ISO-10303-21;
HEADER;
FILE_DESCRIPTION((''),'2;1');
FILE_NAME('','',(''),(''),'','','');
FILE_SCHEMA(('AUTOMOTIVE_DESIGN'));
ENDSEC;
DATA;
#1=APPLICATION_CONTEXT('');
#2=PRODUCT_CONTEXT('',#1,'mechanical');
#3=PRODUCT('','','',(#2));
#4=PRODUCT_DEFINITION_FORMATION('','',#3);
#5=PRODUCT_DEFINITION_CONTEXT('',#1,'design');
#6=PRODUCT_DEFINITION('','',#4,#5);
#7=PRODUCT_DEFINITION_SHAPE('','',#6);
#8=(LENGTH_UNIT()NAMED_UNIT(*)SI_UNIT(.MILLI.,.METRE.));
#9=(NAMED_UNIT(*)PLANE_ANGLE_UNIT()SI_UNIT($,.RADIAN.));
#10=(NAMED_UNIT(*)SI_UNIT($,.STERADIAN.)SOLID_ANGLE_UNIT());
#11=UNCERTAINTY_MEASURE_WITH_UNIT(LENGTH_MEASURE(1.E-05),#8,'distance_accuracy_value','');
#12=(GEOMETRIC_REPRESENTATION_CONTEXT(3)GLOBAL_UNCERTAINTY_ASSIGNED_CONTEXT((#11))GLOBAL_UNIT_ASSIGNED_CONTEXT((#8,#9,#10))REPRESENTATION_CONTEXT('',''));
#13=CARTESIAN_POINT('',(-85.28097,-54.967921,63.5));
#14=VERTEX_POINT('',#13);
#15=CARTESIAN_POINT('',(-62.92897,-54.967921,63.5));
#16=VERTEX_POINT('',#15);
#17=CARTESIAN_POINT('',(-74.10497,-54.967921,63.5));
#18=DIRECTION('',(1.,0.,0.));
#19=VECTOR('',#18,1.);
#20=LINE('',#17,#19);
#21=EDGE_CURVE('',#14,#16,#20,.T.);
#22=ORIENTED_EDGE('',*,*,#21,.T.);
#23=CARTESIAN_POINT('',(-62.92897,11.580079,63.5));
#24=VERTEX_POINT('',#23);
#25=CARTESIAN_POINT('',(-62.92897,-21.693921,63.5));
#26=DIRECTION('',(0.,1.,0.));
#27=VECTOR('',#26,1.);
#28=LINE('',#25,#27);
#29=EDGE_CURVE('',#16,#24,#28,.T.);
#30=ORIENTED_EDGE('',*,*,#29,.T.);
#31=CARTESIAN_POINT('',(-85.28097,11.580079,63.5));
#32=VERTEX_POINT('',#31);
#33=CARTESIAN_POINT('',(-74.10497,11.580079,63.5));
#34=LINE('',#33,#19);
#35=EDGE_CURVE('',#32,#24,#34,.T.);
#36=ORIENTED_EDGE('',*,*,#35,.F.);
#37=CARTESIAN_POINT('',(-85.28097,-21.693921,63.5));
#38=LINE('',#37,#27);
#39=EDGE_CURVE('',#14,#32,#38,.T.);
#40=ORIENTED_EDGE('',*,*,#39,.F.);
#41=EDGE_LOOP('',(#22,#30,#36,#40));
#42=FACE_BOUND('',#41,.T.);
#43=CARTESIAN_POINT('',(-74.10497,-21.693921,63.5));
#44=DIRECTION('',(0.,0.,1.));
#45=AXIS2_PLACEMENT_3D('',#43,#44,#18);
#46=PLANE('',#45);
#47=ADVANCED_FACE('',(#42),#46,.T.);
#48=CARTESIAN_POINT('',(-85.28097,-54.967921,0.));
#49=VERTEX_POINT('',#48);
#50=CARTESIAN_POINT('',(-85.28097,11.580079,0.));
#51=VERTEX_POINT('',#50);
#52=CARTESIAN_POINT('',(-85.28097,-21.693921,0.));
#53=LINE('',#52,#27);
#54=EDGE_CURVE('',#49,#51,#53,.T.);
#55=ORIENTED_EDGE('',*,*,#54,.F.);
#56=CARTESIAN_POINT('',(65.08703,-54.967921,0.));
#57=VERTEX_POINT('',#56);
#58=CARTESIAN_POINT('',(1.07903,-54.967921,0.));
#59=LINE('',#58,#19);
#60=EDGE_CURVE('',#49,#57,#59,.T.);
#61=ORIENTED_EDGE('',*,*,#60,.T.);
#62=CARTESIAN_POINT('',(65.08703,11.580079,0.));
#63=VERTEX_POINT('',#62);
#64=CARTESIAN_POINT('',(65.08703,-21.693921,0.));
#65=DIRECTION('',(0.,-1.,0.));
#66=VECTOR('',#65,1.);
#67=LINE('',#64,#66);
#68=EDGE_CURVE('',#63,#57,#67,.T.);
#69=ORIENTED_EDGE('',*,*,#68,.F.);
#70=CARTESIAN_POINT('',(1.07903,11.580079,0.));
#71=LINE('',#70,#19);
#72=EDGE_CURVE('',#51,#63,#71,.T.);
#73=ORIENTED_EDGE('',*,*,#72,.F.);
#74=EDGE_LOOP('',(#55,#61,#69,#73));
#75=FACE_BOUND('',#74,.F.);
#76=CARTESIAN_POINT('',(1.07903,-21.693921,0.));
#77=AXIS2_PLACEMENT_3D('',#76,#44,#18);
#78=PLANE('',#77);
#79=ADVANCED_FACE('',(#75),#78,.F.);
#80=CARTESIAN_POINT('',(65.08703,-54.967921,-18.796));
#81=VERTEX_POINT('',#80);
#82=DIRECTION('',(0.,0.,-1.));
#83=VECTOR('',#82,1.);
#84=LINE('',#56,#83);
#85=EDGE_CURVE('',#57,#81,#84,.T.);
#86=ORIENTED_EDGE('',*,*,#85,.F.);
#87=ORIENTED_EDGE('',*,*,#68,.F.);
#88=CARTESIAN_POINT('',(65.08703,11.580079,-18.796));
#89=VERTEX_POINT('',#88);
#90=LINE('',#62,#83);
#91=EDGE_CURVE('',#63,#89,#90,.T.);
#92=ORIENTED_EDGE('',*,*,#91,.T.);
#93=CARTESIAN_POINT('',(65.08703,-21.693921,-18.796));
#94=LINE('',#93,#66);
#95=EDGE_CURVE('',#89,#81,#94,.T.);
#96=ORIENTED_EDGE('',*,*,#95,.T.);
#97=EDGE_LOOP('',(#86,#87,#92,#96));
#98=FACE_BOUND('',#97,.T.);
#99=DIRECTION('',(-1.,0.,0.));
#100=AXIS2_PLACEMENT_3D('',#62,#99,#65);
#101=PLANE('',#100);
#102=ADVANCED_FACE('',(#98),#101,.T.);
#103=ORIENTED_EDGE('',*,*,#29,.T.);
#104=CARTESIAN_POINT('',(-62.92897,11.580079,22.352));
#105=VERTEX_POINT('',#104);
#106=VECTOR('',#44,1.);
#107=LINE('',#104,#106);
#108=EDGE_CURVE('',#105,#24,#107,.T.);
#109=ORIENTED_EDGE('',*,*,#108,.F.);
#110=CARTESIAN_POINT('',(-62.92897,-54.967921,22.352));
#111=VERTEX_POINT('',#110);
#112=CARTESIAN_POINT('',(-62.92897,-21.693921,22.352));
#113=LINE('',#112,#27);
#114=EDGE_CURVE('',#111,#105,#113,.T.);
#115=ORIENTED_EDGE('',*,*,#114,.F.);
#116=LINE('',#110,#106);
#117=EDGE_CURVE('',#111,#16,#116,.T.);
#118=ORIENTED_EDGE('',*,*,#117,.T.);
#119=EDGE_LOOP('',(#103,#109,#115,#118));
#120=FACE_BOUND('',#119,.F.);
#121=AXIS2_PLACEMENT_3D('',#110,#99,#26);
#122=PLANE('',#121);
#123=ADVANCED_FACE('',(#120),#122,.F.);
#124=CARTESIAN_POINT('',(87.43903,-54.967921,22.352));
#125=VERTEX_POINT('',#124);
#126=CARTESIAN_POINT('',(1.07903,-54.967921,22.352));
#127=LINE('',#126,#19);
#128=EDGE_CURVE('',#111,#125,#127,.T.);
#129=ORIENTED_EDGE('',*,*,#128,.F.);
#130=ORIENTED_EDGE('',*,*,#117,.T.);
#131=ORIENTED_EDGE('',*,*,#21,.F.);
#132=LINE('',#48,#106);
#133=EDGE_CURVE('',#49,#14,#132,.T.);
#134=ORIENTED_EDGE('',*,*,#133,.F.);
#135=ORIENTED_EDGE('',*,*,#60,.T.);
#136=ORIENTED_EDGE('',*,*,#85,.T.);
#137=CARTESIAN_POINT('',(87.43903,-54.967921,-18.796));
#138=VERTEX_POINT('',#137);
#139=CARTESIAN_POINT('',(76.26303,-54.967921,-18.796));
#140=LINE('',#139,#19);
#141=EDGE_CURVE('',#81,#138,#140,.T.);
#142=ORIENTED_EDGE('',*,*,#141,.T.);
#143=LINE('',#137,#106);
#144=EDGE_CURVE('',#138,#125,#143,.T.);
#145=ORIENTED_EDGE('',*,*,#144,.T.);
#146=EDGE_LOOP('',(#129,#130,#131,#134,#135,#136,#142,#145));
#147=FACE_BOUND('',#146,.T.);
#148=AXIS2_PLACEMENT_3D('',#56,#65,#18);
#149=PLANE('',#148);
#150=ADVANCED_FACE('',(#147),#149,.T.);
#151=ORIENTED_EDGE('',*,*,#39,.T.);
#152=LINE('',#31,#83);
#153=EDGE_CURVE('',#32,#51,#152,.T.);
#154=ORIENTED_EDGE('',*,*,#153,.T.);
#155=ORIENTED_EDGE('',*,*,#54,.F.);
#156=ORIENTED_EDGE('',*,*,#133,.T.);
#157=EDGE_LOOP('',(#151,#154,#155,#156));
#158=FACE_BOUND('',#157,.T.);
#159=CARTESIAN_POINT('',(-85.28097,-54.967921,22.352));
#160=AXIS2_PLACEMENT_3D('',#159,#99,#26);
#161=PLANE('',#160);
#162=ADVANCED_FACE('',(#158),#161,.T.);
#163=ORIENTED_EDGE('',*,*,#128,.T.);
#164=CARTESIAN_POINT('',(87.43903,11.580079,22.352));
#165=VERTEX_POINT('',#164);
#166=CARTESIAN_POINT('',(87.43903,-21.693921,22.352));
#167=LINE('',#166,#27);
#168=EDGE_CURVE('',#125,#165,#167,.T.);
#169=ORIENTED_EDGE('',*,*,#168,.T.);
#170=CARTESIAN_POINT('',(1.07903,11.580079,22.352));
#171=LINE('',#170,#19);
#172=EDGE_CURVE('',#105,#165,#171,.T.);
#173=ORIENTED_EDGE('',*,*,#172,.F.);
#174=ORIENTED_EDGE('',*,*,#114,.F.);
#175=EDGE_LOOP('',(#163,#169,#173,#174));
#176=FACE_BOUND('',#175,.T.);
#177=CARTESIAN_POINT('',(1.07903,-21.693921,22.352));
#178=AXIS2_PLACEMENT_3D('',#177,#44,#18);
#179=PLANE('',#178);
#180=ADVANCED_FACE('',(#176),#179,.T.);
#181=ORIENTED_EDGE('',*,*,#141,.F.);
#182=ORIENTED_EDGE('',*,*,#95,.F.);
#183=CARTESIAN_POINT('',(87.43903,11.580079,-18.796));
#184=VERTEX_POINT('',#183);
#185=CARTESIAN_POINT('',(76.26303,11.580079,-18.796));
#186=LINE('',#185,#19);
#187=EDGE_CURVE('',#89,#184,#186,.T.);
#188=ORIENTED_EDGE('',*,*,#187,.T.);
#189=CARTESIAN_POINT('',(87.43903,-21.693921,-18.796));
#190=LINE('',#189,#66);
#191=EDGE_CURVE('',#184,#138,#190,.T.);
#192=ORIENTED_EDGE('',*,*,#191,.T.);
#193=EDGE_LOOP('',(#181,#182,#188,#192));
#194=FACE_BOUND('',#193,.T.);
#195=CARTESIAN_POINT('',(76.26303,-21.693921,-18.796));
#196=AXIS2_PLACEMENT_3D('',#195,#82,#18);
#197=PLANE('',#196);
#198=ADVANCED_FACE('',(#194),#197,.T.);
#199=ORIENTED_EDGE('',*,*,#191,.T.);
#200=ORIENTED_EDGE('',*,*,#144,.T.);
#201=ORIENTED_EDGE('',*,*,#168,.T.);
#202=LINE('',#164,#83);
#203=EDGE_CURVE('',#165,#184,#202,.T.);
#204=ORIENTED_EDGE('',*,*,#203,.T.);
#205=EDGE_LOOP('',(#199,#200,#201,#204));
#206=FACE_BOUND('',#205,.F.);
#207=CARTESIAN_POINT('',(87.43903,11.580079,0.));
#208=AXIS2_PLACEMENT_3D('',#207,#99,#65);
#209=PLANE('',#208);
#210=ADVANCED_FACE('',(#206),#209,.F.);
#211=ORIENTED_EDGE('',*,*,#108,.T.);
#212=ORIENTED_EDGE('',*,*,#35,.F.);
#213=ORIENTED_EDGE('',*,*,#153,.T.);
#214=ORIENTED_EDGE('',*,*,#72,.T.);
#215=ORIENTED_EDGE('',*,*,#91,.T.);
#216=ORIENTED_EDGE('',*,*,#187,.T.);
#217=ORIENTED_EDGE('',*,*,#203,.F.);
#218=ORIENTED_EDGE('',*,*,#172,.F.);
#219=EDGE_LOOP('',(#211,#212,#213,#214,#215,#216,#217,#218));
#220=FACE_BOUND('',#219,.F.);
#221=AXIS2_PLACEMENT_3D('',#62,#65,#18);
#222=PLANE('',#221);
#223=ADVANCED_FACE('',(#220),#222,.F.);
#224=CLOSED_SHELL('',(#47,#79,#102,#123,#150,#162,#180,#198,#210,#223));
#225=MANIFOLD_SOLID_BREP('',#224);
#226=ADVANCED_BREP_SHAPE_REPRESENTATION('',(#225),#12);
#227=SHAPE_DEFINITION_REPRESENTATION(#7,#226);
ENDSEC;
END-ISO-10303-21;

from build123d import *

# Parameters (mm, degrees)
F0_W     = 172.72
F0_H     = 66.548
F1_DEPTH = 22.352
F2_W     = 22.352
F2_H     = 66.548
F3_DEPTH = 41.148
F4_W     = 22.352
F4_H     = 66.548
F5_DEPTH = 18.796


with BuildPart() as f1:
    # F0 (on Top) → F1 (new body)
    with BuildSketch(Plane.XY):
        with Locations((1.07903, -21.693921)):
            Rectangle(F0_W, F0_H)
    extrude(amount=F1_DEPTH)

    # F2 (on face) → F3 (join)
    with BuildSketch(Plane.XY.offset(22.352)):
        with Locations((-74.10497, -21.693921)):
            Rectangle(F2_W, F2_H)
    extrude(amount=F3_DEPTH)

    # F4 (on face) → F5 (join)
    with BuildSketch(Plane(origin=(0, 0, 0), x_dir=(1, 0, 0), z_dir=(0, 0, -1))):
        with Locations((76.26303, 21.693921)):
            Rectangle(F4_W, F4_H)
    extrude(amount=F5_DEPTH)


solid = f1.part
